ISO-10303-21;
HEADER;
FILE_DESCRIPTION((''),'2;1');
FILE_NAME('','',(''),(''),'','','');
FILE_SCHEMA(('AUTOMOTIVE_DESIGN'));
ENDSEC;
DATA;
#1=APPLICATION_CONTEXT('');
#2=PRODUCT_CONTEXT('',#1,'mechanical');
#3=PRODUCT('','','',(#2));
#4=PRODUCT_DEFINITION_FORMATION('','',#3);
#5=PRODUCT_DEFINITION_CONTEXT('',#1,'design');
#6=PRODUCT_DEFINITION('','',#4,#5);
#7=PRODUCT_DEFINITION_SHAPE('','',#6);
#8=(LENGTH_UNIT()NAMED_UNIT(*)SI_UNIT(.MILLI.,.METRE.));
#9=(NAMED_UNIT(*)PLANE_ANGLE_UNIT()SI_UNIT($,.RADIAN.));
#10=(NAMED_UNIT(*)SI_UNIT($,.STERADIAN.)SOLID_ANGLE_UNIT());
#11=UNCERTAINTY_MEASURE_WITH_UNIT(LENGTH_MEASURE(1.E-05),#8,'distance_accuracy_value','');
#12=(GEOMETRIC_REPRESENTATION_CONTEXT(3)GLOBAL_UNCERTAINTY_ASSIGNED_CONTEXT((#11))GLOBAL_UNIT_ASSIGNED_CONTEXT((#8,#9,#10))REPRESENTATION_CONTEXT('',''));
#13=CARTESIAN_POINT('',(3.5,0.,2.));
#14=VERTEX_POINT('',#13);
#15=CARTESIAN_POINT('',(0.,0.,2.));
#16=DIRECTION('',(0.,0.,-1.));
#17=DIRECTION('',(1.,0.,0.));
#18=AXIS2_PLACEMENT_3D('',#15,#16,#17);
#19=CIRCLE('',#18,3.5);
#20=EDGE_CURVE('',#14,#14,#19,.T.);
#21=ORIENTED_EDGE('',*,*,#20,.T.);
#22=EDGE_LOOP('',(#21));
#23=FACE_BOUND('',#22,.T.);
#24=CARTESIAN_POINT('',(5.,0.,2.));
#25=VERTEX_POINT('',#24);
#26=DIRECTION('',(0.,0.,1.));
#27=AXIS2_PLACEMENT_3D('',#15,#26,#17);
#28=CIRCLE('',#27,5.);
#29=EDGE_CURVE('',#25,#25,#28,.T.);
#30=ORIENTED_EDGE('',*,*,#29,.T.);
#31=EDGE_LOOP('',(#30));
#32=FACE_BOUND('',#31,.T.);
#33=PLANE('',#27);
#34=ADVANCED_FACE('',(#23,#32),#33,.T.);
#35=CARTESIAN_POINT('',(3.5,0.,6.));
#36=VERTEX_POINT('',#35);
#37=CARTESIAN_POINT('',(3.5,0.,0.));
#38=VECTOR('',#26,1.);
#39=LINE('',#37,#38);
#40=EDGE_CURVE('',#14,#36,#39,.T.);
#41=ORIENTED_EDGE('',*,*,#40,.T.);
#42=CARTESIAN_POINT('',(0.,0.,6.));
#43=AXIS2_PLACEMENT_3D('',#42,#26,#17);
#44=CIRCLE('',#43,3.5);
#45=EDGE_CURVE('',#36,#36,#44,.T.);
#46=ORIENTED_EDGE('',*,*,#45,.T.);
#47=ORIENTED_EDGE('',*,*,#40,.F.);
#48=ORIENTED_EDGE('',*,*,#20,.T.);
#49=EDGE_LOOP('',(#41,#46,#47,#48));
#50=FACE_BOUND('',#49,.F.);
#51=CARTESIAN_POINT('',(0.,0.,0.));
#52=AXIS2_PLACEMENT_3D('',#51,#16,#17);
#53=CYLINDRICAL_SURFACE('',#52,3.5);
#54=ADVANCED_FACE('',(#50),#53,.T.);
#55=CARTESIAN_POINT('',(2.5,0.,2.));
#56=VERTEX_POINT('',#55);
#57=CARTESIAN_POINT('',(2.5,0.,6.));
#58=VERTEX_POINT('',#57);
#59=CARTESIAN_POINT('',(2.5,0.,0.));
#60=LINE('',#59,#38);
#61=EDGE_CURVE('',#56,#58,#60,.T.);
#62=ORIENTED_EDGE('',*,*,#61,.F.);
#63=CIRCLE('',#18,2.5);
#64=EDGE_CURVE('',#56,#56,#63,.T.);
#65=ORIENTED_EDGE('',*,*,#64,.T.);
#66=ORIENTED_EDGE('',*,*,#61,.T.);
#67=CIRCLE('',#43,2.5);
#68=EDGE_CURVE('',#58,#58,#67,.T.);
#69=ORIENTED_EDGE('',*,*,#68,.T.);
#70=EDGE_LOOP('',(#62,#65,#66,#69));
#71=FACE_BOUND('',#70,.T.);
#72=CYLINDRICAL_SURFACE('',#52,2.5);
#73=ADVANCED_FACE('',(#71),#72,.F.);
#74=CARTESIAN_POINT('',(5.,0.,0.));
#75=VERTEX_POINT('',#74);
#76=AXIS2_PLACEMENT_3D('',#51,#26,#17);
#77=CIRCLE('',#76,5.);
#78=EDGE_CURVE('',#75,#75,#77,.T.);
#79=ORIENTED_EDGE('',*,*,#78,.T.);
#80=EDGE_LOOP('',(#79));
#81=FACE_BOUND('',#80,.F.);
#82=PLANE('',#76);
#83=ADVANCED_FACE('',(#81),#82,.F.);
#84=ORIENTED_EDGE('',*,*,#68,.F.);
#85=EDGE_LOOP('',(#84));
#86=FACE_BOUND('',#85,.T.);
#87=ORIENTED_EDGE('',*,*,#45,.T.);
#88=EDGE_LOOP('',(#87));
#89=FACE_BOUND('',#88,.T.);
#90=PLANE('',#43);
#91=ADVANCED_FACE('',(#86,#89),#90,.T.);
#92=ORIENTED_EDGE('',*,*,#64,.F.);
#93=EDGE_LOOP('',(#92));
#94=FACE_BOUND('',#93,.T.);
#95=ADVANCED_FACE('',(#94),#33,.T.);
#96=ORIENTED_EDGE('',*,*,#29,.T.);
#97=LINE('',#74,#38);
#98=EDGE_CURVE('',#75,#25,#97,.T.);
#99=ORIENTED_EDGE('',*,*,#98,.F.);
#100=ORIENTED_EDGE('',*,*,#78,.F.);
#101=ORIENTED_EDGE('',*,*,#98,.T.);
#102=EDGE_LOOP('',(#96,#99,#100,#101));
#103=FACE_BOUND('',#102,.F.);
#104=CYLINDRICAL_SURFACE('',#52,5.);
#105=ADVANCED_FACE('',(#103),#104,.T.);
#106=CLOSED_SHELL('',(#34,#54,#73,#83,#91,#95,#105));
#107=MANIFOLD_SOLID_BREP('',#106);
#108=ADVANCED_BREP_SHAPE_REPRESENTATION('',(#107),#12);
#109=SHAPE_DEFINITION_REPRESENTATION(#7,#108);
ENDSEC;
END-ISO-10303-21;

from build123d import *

# Parameters (mm, degrees)
F0_R     = 5
F0_R_2   = 3.5
F0_R_3   = 2.5
F1_DEPTH = 2
F2_DEPTH = 6


with BuildPart() as f1:
    # F0 (on Top) → F1 (new body)
    with BuildSketch(Plane.XY):
        Circle(F0_R)
        Circle(F0_R_2, mode=Mode.SUBTRACT)
        Circle(F0_R_2)
        Circle(F0_R_3, mode=Mode.SUBTRACT)
        Circle(F0_R_3)
    extrude(amount=F1_DEPTH)

    # F0 (on Top) → F2 (join)
    with BuildSketch(Plane.XY):
        Circle(F0_R_2)
        Circle(F0_R_3, mode=Mode.SUBTRACT)
    extrude(amount=F2_DEPTH)


solid = f1.part
